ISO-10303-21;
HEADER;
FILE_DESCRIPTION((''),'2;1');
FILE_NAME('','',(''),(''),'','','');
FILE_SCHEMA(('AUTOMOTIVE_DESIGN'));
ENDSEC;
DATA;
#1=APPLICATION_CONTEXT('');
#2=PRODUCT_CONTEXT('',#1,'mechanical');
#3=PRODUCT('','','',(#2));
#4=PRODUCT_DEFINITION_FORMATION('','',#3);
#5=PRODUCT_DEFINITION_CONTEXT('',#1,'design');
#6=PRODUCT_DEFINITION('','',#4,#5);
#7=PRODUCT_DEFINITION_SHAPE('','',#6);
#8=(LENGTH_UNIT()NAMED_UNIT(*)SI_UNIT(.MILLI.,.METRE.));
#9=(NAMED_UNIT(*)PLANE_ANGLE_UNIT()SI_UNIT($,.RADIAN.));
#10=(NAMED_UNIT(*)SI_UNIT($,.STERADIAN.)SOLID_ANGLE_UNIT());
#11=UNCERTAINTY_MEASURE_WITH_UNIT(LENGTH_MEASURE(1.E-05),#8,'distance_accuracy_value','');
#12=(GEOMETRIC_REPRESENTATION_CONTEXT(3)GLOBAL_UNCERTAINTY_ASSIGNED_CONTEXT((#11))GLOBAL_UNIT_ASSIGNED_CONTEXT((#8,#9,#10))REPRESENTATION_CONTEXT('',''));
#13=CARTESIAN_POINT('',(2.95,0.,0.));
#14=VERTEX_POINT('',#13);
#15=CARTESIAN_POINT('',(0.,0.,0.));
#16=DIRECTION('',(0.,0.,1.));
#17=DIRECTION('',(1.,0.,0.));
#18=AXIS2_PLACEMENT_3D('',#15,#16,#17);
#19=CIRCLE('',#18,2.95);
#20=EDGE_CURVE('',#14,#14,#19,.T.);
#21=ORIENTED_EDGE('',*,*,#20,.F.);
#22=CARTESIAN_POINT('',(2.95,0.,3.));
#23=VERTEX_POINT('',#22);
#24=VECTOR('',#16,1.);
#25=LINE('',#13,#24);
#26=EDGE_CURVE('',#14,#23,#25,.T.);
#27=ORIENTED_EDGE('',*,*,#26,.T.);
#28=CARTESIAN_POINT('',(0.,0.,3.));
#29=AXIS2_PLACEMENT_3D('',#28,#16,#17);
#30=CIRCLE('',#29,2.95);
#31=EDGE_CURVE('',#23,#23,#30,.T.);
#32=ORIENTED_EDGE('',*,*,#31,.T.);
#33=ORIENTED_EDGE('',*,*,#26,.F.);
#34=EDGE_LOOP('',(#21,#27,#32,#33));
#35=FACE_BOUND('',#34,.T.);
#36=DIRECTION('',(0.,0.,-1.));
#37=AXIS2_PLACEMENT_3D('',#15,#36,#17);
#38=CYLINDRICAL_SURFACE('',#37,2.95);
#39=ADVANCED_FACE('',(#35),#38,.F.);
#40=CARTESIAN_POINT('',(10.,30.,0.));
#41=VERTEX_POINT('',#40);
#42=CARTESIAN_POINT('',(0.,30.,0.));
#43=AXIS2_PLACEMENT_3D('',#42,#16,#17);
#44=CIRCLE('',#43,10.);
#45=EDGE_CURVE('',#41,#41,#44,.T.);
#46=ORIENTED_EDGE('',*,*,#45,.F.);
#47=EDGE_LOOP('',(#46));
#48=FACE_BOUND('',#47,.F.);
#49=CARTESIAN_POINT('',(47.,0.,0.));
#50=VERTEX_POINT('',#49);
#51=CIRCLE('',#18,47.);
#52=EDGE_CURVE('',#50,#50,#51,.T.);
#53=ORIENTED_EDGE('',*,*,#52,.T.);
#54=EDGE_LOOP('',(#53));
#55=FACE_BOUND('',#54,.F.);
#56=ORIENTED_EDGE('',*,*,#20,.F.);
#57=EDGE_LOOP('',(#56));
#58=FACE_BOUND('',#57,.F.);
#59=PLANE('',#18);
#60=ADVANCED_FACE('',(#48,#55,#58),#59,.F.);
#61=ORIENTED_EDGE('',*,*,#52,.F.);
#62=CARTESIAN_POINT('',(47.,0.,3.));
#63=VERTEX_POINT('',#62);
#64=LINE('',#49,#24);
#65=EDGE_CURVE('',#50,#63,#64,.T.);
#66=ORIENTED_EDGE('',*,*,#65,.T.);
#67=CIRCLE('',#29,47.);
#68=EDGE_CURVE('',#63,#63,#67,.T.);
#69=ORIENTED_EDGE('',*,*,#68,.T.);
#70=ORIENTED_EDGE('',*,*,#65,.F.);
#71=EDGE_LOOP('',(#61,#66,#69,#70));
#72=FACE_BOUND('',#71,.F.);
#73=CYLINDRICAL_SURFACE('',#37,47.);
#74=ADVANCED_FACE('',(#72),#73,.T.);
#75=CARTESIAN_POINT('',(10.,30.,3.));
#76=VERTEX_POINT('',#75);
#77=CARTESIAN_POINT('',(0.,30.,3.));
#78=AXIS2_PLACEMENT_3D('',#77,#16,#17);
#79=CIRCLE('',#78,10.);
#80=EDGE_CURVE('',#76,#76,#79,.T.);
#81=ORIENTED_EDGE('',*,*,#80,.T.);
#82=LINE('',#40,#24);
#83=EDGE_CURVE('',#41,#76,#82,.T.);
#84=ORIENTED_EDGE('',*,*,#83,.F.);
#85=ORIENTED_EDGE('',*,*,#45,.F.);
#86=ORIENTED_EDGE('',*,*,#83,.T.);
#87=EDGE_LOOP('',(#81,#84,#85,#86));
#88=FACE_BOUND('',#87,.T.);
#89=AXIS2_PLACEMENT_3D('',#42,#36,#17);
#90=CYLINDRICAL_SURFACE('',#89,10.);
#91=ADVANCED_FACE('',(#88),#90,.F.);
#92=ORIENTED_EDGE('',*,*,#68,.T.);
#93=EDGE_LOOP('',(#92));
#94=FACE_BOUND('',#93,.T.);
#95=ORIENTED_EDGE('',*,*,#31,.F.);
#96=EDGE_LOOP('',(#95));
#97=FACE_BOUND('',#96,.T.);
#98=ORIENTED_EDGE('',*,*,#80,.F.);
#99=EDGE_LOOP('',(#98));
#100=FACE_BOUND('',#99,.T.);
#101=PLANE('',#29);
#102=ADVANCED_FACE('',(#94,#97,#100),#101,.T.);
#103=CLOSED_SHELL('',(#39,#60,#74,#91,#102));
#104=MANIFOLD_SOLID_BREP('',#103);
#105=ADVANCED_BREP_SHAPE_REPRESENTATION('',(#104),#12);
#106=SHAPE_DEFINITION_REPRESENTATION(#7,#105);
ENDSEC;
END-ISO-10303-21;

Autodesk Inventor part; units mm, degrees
ref_plane "YZ Plane" through (0, 0, 0) normal (1, 0, 0) x (0, 1, 0)
ref_plane "XZ Plane" through (0, 0, 0) normal (0, 1, 0) x (-1, 0, 0)
ref_plane "XY Plane" through (0, 0, 0) normal (0, 0, 1) x (1, 0, 0)
sketch "Sketch1" plane through (0, 0, 0) normal (0, 0, 1) x (1, 0, 0)
  circle A0 centre (0, 0) radius 47
  circle A1 centre (0, 0) radius 2.95
  circle A2 centre (0, 30) radius 10
  dimension "d0" = 94
  dimension "d1" = 5.9
  dimension "d4" = 20
  dimension "d5" = 30
extrude "Extrusion2" add sketch "Sketch1" along normal blind 3
properties part number "OpenROV 2_2 Dev EndCap 94"
